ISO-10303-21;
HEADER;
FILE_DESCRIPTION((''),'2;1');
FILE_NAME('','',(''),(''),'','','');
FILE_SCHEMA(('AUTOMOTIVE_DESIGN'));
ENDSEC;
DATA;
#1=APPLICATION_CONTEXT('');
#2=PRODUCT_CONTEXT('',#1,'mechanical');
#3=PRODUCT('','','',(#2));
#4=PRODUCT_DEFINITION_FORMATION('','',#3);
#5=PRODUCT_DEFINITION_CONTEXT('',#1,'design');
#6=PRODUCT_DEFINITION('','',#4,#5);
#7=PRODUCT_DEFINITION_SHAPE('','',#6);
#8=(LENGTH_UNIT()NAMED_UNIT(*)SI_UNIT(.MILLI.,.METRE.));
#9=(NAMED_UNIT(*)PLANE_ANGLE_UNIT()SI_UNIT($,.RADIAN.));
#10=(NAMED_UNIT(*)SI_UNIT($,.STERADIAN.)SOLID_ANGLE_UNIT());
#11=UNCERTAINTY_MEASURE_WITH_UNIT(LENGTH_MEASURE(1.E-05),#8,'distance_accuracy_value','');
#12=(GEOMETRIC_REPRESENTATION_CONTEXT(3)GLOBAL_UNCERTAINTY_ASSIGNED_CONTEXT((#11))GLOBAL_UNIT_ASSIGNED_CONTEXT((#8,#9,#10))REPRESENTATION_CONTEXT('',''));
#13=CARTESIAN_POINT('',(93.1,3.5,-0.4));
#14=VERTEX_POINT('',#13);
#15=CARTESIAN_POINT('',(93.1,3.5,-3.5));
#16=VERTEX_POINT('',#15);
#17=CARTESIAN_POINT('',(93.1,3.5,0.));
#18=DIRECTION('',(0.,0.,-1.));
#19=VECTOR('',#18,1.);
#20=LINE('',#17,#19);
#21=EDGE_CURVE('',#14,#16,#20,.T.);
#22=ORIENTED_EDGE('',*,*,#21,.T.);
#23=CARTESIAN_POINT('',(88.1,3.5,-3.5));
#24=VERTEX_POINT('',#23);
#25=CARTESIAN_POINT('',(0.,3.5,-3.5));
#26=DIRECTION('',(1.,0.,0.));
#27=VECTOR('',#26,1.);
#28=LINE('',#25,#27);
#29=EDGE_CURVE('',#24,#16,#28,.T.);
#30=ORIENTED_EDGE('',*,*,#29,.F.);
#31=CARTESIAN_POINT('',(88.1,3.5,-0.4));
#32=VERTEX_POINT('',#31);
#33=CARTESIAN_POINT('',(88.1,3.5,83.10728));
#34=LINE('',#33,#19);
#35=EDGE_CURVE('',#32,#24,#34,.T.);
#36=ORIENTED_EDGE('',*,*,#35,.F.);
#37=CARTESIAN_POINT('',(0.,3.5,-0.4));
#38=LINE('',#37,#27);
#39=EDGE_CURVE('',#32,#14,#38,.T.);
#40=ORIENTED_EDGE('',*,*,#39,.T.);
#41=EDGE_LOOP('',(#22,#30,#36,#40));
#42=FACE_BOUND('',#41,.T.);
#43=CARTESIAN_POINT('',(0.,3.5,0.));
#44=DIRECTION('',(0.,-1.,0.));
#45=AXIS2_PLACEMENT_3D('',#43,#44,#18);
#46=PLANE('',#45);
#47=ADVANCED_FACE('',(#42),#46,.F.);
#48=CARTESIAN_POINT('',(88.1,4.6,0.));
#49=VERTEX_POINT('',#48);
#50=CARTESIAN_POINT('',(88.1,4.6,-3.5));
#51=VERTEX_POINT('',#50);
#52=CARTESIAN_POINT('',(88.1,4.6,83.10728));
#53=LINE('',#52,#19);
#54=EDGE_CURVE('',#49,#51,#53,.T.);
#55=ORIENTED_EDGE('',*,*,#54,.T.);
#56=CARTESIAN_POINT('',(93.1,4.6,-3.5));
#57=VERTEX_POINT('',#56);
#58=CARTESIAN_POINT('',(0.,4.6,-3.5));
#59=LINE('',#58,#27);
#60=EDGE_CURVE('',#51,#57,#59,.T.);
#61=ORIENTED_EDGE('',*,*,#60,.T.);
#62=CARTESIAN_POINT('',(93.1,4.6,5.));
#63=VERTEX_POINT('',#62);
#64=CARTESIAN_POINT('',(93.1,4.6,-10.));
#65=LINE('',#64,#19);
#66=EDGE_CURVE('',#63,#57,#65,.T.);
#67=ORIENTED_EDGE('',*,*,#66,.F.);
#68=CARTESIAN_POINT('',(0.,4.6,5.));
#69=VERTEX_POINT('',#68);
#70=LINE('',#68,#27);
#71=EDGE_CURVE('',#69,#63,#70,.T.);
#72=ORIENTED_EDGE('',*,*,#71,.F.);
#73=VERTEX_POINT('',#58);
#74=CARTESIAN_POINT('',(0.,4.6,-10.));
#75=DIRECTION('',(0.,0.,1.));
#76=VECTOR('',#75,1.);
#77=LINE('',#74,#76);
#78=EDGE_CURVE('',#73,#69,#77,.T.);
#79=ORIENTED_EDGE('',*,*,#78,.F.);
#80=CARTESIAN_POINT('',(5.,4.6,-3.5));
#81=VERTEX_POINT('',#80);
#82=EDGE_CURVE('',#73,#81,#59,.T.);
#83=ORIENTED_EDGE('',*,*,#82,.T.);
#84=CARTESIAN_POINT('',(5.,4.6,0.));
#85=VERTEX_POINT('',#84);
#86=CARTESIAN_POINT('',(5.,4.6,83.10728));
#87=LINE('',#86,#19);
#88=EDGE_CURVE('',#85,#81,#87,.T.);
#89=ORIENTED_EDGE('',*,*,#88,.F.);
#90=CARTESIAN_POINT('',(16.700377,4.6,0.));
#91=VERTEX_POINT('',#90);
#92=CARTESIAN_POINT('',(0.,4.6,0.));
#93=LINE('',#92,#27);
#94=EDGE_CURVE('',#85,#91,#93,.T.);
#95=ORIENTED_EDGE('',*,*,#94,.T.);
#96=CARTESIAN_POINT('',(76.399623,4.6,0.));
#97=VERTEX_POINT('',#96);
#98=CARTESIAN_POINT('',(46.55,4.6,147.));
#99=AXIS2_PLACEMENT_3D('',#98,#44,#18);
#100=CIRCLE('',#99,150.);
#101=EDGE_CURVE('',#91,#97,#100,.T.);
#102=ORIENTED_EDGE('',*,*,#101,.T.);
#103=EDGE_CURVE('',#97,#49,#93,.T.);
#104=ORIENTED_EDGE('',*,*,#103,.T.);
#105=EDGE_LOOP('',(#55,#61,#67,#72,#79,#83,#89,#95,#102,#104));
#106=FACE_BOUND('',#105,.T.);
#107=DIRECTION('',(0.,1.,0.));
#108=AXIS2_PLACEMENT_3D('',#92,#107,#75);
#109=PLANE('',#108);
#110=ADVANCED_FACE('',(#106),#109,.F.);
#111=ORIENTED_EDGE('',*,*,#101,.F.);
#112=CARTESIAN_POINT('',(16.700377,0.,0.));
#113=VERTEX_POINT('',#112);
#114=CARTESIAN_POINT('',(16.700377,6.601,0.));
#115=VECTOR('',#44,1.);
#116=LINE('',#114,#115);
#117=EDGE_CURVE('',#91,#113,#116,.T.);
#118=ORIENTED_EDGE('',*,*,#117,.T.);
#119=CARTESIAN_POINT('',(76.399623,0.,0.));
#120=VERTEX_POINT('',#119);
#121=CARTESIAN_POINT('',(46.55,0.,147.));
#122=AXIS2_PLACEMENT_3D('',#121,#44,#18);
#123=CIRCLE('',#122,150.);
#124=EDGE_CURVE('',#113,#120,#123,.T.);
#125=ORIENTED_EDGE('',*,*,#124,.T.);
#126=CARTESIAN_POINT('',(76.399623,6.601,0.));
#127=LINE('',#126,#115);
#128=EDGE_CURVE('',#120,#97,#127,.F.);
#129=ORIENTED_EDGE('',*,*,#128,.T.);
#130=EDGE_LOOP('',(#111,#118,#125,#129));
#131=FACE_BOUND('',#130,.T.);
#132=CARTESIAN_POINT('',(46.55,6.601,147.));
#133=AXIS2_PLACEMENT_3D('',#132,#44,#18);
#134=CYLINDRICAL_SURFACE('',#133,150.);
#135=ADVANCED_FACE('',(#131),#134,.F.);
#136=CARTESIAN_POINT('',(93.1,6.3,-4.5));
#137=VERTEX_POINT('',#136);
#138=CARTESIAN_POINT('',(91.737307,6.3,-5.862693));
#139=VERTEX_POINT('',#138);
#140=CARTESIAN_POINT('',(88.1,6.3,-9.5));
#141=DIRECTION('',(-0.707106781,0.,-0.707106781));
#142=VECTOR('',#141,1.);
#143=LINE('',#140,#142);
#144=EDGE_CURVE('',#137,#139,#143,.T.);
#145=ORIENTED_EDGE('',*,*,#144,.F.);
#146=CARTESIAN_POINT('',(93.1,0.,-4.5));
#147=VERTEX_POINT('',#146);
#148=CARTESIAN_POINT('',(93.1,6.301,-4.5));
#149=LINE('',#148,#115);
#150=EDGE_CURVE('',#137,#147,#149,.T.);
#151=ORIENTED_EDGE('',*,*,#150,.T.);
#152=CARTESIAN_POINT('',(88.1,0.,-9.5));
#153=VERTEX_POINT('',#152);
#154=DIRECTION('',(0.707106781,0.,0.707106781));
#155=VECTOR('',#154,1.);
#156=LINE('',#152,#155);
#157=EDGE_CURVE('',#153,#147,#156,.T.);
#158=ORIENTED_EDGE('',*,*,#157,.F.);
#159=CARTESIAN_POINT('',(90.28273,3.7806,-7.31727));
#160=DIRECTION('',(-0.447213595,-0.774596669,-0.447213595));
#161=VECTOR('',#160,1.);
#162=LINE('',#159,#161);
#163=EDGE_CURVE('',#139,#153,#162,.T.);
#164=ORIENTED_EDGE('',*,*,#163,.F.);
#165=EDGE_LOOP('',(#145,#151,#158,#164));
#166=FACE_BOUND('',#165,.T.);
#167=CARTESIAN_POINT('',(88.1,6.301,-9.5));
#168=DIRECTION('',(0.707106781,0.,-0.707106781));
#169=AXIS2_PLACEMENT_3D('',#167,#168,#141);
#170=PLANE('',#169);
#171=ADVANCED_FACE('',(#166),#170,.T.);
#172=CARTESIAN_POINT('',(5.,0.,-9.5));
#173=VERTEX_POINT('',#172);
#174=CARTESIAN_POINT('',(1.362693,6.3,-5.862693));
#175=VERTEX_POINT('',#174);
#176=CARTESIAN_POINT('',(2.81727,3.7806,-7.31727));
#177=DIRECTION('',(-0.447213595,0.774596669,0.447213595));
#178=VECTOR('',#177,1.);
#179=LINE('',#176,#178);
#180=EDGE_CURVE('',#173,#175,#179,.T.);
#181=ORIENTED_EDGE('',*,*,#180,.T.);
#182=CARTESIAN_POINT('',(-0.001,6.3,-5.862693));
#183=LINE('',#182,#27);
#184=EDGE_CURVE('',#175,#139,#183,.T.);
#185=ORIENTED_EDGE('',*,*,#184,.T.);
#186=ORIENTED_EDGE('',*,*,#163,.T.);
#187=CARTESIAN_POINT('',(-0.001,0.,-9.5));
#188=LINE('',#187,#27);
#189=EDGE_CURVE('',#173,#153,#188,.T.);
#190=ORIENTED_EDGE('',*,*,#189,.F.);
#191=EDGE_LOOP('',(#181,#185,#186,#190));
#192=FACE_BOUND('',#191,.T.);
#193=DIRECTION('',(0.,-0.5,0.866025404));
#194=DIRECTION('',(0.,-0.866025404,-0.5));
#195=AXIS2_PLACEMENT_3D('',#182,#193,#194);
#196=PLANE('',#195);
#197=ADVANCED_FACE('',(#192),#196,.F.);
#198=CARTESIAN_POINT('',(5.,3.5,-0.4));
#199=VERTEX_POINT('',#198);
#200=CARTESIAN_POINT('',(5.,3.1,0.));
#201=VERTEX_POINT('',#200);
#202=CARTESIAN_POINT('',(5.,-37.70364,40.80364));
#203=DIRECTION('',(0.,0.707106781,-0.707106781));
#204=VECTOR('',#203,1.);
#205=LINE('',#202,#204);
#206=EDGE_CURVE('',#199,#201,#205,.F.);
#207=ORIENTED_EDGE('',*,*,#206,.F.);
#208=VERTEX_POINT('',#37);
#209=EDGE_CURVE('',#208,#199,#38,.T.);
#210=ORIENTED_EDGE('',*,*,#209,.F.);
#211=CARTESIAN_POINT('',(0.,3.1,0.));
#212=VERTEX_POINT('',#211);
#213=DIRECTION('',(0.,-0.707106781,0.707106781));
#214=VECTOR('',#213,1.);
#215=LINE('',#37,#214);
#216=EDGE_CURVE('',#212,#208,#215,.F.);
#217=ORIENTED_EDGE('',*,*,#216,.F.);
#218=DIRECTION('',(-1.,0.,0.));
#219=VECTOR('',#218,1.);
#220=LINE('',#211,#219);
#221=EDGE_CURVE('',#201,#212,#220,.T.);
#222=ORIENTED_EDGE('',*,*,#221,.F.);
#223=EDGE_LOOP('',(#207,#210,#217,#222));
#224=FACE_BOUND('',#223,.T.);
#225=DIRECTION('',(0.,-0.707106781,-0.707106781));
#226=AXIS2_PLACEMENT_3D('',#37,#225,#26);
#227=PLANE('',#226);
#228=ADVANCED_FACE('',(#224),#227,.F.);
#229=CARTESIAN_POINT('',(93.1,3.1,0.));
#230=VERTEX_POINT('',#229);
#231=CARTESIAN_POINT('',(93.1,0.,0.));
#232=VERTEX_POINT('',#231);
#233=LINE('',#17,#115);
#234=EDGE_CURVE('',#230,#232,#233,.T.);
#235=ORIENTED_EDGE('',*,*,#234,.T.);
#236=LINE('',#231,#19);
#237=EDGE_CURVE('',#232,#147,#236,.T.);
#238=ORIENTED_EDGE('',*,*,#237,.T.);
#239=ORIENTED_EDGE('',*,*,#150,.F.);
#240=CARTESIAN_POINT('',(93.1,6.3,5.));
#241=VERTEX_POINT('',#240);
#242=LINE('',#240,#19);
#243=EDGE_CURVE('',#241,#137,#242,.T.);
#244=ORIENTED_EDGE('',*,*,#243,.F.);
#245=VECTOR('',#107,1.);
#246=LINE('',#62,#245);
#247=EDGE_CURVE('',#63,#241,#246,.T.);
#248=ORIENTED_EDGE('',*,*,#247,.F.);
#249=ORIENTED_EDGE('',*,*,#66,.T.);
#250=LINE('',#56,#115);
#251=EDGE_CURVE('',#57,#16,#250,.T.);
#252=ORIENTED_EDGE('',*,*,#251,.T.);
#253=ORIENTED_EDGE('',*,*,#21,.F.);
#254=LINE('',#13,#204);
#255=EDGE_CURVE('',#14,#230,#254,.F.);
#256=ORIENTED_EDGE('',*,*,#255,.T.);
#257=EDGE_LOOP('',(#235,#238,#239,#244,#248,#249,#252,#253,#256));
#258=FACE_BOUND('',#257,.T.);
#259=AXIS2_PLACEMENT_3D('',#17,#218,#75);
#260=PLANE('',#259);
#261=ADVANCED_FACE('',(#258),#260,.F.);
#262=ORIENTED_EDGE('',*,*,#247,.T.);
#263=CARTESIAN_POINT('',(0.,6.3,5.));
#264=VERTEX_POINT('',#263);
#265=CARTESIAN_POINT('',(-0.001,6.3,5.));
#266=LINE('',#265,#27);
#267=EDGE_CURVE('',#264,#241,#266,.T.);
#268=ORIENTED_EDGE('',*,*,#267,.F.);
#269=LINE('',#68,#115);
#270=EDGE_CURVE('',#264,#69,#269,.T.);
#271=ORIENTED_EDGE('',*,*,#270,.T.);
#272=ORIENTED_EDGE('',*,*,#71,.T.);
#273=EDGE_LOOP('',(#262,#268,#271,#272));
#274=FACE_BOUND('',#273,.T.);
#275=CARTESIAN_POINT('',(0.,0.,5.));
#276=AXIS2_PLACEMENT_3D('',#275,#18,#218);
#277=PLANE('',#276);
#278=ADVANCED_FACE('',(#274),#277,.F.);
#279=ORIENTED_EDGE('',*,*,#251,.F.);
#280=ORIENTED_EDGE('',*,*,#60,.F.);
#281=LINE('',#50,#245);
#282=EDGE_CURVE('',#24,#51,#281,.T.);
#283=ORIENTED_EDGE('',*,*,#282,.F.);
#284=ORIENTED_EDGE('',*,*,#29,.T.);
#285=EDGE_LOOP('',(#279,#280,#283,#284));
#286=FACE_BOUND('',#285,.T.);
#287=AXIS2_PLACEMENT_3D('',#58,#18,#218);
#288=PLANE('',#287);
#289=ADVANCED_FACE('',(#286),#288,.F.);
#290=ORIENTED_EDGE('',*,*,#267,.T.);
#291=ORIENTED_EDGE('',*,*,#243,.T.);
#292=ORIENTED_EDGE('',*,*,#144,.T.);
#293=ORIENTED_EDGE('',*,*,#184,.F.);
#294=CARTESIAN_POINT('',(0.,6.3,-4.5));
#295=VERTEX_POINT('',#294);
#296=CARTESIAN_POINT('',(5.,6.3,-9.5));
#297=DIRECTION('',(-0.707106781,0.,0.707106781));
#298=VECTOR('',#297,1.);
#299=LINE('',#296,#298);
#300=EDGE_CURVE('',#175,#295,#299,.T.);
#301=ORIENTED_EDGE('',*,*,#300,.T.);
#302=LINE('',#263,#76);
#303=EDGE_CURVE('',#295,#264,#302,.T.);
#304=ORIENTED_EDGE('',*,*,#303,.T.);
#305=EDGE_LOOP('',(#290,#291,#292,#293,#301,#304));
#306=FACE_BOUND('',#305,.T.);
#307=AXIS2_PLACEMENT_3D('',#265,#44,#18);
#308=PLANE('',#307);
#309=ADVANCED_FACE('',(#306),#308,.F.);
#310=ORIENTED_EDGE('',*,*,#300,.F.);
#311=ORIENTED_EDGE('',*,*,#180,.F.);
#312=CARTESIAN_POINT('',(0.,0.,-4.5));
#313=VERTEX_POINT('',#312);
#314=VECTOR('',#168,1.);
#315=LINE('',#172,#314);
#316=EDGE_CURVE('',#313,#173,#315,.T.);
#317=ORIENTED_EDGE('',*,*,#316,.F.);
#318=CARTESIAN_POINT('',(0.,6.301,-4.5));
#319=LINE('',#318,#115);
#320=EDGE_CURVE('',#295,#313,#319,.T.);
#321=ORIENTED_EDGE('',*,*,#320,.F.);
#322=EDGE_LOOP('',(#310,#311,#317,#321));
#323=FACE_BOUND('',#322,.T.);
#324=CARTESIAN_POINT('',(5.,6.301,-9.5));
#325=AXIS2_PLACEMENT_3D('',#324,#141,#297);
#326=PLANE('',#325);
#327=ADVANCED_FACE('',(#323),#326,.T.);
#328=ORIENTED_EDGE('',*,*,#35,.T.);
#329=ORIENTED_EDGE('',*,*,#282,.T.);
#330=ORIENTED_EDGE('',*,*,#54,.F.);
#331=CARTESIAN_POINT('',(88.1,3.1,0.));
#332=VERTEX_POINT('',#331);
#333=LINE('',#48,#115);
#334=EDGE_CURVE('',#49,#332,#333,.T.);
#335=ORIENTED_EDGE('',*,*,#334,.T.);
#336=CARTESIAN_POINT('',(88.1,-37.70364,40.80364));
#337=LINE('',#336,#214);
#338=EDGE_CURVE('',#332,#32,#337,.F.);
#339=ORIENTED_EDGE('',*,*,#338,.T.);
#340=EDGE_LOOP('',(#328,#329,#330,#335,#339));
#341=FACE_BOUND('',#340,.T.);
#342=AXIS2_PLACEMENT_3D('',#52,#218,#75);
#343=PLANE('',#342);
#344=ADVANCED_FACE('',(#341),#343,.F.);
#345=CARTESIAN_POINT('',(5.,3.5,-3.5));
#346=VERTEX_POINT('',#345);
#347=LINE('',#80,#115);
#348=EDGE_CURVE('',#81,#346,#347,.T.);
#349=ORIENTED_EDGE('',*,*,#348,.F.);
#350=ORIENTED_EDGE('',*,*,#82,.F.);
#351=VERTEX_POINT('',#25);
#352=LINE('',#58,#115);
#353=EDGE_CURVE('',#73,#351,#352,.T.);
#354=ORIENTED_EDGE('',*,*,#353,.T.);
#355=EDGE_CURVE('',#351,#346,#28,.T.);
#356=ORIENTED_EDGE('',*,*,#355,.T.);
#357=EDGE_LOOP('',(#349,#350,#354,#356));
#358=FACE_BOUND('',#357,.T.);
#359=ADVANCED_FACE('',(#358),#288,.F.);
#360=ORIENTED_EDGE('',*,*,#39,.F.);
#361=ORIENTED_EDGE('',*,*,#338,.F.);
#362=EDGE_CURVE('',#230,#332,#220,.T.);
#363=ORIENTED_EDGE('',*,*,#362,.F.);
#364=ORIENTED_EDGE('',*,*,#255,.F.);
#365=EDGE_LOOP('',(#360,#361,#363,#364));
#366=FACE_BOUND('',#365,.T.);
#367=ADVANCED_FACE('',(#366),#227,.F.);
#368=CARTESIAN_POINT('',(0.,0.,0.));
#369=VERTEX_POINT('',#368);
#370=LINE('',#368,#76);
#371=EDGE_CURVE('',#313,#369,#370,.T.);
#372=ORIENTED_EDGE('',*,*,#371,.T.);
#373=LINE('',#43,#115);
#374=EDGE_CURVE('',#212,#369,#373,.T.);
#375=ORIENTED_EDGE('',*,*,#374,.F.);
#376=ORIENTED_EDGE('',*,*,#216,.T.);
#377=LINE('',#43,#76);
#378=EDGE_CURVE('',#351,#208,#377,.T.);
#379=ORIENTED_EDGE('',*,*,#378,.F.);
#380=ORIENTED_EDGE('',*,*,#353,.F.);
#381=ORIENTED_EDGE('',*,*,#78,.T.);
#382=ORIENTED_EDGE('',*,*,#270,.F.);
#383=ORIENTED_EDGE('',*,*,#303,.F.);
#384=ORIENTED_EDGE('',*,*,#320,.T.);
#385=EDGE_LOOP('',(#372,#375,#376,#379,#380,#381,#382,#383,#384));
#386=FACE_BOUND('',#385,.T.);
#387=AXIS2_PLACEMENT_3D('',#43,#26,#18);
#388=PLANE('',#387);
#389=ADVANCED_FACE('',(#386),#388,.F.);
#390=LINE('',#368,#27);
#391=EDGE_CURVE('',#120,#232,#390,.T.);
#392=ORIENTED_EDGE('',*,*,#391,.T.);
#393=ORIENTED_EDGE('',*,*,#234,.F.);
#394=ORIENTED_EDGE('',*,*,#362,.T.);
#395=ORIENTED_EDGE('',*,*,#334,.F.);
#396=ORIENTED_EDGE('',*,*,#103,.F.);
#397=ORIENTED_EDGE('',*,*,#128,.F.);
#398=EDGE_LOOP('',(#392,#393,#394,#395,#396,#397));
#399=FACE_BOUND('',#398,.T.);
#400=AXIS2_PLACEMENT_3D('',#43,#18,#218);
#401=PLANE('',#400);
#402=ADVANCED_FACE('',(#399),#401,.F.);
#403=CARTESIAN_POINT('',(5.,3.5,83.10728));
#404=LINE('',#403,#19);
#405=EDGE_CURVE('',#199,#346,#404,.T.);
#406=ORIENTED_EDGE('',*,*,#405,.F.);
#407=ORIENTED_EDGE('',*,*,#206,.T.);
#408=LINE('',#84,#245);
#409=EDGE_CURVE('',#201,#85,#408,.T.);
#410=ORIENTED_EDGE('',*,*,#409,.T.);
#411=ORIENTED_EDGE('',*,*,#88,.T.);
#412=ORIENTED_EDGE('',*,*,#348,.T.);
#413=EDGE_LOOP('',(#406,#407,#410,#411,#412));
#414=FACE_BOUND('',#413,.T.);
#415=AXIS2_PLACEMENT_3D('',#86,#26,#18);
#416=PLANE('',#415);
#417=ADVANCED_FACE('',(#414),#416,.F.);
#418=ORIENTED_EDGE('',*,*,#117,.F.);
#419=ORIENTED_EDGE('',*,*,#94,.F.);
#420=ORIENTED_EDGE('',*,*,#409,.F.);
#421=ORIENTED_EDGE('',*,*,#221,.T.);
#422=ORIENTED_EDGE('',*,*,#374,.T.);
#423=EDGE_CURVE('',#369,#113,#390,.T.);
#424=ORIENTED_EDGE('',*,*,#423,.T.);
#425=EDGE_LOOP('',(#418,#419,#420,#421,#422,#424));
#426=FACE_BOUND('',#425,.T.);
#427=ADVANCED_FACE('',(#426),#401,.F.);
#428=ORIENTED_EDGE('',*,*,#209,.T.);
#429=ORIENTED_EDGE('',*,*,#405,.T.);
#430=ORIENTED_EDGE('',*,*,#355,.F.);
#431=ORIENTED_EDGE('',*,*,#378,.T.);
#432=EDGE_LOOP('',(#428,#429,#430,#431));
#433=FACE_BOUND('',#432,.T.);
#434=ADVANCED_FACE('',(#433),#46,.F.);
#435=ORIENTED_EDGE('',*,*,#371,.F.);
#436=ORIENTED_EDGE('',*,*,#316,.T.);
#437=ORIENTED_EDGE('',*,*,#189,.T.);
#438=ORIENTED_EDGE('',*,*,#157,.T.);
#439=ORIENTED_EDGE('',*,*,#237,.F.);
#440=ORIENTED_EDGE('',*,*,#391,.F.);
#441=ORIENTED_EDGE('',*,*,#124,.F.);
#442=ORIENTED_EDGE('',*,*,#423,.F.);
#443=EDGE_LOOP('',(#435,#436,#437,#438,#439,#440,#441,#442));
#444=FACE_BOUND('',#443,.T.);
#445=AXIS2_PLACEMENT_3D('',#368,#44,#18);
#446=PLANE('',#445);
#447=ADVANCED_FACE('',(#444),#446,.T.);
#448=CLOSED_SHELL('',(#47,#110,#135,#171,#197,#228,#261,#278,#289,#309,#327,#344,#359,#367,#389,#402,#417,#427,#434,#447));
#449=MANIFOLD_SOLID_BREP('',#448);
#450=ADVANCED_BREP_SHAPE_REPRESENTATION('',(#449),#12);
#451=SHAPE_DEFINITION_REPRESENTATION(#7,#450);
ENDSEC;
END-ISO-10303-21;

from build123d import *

# Parameters (mm, degrees)
SKETCH_2_W                  = 93.1
SKETCH_2_H                  = 10
EXTRUDE_1_DEPTH             = 3.5
SKETCH_4_W                  = 93.1
SKETCH_4_H                  = 6.5
EXTRUDE_2_DEPTH             = 1.1
SKETCH_5_W                  = 93.1
SKETCH_5_H                  = 10
EXTRUDE_3_DEPTH             = 2
CUT_EXTRUDE_1_DEPTH         = 94.867832616
SKETCH_7_W                  = 83.1
SKETCH_7_H                  = 1.1
EXTRUDE_4_DEPTH             = 3.5
CHAMFER_1_SIZE              = 0.4
CUT_EXTRUDE_2_REACH         = 95.868
SKETCH_8_R                  = 150
SKETCH_9_W                  = 93.1
SKETCH_9_H                  = 2
EXTRUDE_5_DEPTH             = 5
EXTRUDE_5_DIRECTION_2_REACH = 95.868
CUT_EXTRUDE_3_REACH         = 95.868
SKETCH_10_W                 = 11.362693304
SKETCH_10_H                 = 0.3
CUT_EXTRUDE_4_REACH         = 95.847
CUT_EXTRUDE_5_REACH         = 95.795


with BuildPart() as part:
    # 草图2 → 凸台-拉伸1 (new body)
    with BuildSketch(Plane(origin=(0, 0, 0), x_dir=(1, 0, 0), z_dir=(0, 1, 0))):
        with Locations((46.55, 5)):
            Rectangle(SKETCH_2_W, SKETCH_2_H)
    extrude(amount=EXTRUDE_1_DEPTH)

    # 草图4 → 凸台-拉伸2 (add)
    with BuildSketch(Plane(origin=(0, 3.5, 0), x_dir=(1, 0, 0), z_dir=(0, 1, 0))):
        with Locations((46.55, 6.75)):
            Rectangle(SKETCH_4_W, SKETCH_4_H)
    extrude(amount=EXTRUDE_2_DEPTH)

    # 草图5 → 凸台-拉伸3 (add)
    with BuildSketch(Plane(origin=(0, 4.6, 0), x_dir=(1, 0, 0), z_dir=(0, 1, 0))):
        with Locations((46.55, 5)):
            Rectangle(SKETCH_5_W, SKETCH_5_H)
    extrude(amount=EXTRUDE_3_DEPTH)

    # 草图6 → 切除-拉伸1 (cut, through all)
    with BuildSketch(Plane.ZY):
        Polygon((-10, 0), (-6.189488223, 6.6), (-10, 6.6), align=None)
    extrude(amount=-CUT_EXTRUDE_1_DEPTH, mode=Mode.SUBTRACT)

    # 草图7 → 凸台-拉伸4 (add)
    with BuildSketch(Plane.XY.offset(-3.5)):
        with Locations((46.55, 4.05)):
            Rectangle(SKETCH_7_W, SKETCH_7_H)
    extrude(amount=EXTRUDE_4_DEPTH)

    # 倒角1
    chamfer_1_edges = [part.edges().sort_by_distance(p)[0] for p in [
        (90.6, 3.5, 0),
        (2.5, 3.5, 0),
    ]]
    chamfer(chamfer_1_edges, length=CHAMFER_1_SIZE)

    # 草图8 → 切除-拉伸2 (cut, up to next)
    with BuildSketch(Plane.XZ, mode=Mode.PRIVATE) as cut_extrude_2_sk1:
        with Locations((46.55, 147)):
            Circle(SKETCH_8_R)
    cut_extrude_2_tool1 = extrude(cut_extrude_2_sk1.sketch, amount=-CUT_EXTRUDE_2_REACH, mode=Mode.PRIVATE) & part.part
    add(cut_extrude_2_tool1.solids().sort_by_distance((46.55, 0, 147))[0], mode=Mode.SUBTRACT)

    # 草图9 → 凸台-拉伸5 (add)
    with BuildSketch(Plane.XY):
        with Locations((46.55, 5.6)):
            Rectangle(SKETCH_9_W, SKETCH_9_H)
    extrude(amount=EXTRUDE_5_DEPTH)

    # 草图9 → 凸台-拉伸5 direction 2 (add, up to next)
    with BuildSketch(Plane.XY, mode=Mode.PRIVATE) as extrude_5_direction_2_sk1:
        with Locations((46.55, 5.6)):
            Rectangle(SKETCH_9_W, SKETCH_9_H)
    extrude_5_direction_2_tool1 = extrude(extrude_5_direction_2_sk1.sketch, amount=-EXTRUDE_5_DIRECTION_2_REACH, mode=Mode.PRIVATE) - part.part
    add(extrude_5_direction_2_tool1.solids().sort_by_distance((46.55, 5.6, 0))[0])

    # 草图10 → 切除-拉伸3 (cut, up to next)
    with BuildSketch(Plane(origin=(93.1, 0, 0), x_dir=(0, 0, -1), z_dir=(1, 0, 0)), mode=Mode.PRIVATE) as cut_extrude_3_sk1:
        with Locations((0.681346652, 6.45)):
            Rectangle(SKETCH_10_W, SKETCH_10_H)
    cut_extrude_3_tool1 = extrude(cut_extrude_3_sk1.sketch, amount=-CUT_EXTRUDE_3_REACH, mode=Mode.PRIVATE) & part.part
    add(cut_extrude_3_tool1.solids().sort_by_distance((93.1, 6.45, -0.681347))[0], mode=Mode.SUBTRACT)

    # 草图11 → 切除-拉伸4 (cut, up to next)
    with BuildSketch(Plane(origin=(93.1, 0, 0), x_dir=(0, 0, -1), z_dir=(1, 0, 0)), mode=Mode.PRIVATE) as cut_extrude_4_sk1:
        Polygon((6.362693304, 6.3), (5.862693304, 6.3), (9.5, 0), (10, 0), align=None)
    cut_extrude_4_tool1 = extrude(cut_extrude_4_sk1.sketch, amount=-CUT_EXTRUDE_4_REACH, mode=Mode.PRIVATE) & part.part
    add(cut_extrude_4_tool1.solids().sort_by_distance((93.1, 3.15, -7.931347))[0], mode=Mode.SUBTRACT)

    # 草图12 → 切除-拉伸5 (cut, up to next)
    with BuildSketch(Plane(origin=(0, 0, 0), x_dir=(1, 0, 0), z_dir=(0, 1, 0)), mode=Mode.PRIVATE) as cut_extrude_5_sk1:
        Polygon((0, 9.5), (5, 9.5), (0, 4.5), align=None)
    cut_extrude_5_tool1 = extrude(cut_extrude_5_sk1.sketch, amount=CUT_EXTRUDE_5_REACH, mode=Mode.PRIVATE) & part.part
    # 草图12 → 切除-拉伸5 (cut, up to next)
    with BuildSketch(Plane(origin=(0, 0, 0), x_dir=(1, 0, 0), z_dir=(0, 1, 0)), mode=Mode.PRIVATE) as cut_extrude_5_sk2:
        Polygon((93.1, 4.5), (93.1, 9.5), (88.1, 9.5), align=None)
    cut_extrude_5_tool2 = extrude(cut_extrude_5_sk2.sketch, amount=CUT_EXTRUDE_5_REACH, mode=Mode.PRIVATE) & part.part
    add(cut_extrude_5_tool1.solids().sort_by_distance((1.666667, 0, -7.833333))[0], mode=Mode.SUBTRACT)
    add(cut_extrude_5_tool2.solids().sort_by_distance((91.433333, 0, -7.833333))[0], mode=Mode.SUBTRACT)


solid = part.part
